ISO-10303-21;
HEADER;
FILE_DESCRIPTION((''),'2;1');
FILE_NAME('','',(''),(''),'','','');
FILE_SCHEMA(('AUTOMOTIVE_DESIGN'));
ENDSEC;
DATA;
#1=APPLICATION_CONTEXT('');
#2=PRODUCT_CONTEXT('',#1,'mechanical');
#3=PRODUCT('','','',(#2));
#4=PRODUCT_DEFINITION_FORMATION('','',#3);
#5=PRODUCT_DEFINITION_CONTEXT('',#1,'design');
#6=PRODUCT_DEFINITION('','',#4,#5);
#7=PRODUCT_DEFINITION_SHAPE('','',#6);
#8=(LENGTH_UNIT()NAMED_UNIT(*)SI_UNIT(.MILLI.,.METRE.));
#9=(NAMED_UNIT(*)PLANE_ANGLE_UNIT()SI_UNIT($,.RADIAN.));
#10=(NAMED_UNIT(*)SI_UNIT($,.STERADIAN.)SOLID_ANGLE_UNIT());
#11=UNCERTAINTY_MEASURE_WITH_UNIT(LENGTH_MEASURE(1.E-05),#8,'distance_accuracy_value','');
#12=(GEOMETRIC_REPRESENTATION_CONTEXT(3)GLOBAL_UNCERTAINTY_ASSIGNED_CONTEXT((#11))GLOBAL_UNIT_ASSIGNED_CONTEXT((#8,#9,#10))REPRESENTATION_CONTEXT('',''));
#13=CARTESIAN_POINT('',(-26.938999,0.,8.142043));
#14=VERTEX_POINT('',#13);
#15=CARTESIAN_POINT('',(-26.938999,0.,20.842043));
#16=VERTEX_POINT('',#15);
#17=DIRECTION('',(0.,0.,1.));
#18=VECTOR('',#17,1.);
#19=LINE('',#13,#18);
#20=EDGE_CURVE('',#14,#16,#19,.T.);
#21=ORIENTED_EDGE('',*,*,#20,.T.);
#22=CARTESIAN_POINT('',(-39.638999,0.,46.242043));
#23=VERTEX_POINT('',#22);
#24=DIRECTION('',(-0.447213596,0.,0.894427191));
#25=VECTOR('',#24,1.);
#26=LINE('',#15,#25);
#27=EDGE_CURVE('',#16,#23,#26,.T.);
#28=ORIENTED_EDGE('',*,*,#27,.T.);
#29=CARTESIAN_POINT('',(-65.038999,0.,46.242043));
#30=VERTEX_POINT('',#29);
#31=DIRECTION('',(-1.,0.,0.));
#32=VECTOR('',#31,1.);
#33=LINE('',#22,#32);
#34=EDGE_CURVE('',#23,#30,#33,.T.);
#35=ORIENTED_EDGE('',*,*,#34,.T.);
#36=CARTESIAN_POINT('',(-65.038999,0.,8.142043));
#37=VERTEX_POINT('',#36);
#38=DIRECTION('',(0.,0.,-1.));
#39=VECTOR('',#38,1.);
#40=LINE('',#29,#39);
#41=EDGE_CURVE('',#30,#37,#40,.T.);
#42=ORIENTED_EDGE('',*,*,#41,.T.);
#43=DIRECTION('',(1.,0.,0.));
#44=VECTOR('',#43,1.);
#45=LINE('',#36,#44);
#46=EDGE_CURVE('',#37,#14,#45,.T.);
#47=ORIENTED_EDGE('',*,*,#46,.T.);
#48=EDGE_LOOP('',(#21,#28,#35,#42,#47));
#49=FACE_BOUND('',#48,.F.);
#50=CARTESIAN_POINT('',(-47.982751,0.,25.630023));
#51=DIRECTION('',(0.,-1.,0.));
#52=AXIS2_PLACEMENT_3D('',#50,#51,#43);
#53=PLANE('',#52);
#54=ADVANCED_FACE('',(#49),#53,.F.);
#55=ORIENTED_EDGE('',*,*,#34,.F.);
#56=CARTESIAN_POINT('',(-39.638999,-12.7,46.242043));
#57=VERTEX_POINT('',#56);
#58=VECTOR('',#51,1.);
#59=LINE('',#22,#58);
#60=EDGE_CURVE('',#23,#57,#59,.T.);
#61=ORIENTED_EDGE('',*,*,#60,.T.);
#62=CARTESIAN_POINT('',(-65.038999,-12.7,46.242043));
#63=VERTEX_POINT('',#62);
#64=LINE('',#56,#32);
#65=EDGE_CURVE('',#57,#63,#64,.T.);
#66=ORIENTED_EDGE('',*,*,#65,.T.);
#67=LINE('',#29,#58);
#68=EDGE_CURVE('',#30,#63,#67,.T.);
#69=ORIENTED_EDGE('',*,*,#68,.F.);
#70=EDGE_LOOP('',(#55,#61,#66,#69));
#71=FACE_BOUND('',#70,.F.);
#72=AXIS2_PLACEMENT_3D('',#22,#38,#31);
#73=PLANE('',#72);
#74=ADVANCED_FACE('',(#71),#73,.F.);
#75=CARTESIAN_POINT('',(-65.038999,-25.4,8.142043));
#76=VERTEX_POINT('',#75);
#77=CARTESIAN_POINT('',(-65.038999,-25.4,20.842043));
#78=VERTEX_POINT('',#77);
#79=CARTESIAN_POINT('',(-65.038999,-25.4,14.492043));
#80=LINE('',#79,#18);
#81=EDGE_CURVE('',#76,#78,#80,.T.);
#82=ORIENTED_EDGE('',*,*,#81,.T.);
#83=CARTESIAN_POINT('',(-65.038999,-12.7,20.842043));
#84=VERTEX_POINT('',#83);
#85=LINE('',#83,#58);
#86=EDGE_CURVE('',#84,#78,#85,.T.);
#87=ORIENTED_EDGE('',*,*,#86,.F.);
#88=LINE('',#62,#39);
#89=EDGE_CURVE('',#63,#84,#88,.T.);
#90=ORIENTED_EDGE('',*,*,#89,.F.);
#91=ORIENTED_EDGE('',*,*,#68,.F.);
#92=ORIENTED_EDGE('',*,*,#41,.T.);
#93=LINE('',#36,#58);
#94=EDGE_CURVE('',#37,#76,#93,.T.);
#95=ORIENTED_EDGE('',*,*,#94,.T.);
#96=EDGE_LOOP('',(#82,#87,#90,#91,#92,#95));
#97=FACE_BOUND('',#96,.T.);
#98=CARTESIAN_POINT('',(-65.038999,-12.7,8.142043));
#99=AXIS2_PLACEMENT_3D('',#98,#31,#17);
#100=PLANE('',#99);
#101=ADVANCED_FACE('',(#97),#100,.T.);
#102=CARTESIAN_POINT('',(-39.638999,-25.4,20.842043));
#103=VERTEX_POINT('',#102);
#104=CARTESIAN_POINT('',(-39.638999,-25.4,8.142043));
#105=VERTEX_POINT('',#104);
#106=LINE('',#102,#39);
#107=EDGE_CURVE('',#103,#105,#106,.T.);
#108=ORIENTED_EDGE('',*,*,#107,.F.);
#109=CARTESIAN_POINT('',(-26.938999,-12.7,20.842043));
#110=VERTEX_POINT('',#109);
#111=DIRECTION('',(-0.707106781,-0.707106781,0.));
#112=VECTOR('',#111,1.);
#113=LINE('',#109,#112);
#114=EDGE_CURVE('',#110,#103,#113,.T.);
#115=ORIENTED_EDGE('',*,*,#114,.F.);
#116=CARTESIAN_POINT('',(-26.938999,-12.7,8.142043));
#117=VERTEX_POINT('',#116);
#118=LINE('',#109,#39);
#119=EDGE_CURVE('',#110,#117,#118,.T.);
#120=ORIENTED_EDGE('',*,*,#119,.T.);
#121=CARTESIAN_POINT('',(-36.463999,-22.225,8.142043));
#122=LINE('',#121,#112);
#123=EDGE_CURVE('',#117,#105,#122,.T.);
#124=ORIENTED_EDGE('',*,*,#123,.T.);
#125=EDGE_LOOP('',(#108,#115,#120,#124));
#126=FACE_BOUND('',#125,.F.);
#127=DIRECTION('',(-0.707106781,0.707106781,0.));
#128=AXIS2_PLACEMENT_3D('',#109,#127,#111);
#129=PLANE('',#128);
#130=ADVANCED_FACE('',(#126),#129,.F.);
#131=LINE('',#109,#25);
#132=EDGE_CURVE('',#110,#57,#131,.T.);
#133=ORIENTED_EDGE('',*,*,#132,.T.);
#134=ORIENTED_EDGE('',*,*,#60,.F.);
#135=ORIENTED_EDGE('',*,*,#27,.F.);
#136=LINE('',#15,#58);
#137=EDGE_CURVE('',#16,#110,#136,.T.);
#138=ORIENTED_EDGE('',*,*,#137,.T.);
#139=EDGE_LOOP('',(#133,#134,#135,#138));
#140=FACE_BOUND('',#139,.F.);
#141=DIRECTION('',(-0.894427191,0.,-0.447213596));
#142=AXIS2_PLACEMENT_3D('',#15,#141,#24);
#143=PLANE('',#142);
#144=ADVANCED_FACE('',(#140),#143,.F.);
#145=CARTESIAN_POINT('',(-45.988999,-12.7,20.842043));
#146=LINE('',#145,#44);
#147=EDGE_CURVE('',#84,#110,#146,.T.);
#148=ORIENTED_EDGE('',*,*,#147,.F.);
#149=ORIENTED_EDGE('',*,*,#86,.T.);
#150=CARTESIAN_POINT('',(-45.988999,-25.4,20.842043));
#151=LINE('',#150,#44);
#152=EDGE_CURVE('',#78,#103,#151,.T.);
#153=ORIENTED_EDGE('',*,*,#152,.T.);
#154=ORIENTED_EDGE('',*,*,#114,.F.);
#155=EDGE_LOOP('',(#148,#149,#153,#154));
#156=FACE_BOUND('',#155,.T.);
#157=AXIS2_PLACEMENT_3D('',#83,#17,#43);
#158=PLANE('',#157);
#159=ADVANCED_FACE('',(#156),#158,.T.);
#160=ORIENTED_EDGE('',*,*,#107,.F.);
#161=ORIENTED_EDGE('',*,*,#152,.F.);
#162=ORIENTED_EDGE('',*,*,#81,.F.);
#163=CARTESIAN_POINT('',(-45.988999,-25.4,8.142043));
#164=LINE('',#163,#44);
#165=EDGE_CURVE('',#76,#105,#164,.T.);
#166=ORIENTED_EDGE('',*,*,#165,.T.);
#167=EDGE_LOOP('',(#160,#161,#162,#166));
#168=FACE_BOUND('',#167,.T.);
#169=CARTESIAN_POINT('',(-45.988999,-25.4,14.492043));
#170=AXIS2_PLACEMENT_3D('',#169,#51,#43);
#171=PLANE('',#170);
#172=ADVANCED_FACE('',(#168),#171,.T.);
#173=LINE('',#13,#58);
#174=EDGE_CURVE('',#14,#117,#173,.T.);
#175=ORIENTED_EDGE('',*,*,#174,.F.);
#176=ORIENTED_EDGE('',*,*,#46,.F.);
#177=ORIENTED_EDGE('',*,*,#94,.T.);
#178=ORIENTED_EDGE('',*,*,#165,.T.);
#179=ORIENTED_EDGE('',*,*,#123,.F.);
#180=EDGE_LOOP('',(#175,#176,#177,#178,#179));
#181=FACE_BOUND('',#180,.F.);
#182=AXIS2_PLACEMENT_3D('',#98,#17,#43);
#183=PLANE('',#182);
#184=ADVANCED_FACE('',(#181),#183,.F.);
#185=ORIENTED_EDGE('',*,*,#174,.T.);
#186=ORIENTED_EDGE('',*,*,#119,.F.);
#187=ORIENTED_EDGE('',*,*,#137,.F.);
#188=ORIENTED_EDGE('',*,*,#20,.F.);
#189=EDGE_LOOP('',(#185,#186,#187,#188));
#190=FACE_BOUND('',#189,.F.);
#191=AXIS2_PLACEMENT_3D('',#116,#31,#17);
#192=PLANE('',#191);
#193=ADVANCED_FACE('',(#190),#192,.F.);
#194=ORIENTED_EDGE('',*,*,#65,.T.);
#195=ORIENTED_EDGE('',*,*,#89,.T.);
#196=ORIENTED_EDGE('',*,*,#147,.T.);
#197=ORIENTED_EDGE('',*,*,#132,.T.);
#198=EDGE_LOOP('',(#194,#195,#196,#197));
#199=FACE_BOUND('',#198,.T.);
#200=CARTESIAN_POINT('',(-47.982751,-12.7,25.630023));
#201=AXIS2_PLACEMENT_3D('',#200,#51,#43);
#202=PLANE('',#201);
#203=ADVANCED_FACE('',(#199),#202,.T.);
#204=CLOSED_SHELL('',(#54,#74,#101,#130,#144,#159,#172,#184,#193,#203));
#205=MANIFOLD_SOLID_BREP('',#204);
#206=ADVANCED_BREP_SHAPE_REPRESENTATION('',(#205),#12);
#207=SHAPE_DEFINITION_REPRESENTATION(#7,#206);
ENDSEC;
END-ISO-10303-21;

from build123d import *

# Parameters (mm, degrees)
F1_DEPTH = 12.7
F2_W     = 38.1
F2_H     = 12.7
F3_DEPTH = 12.7
F5_DEPTH = 12.701


with BuildPart() as f1:
    # F0 (on Front) → F1 (new body)
    with BuildSketch(Plane.XZ):
        Polygon((-39.638999, 46.242043), (-65.038999, 46.242043), (-65.038999, 8.142043), (-26.938999, 8.142043), (-26.938999, 20.842043), align=None)
    extrude(amount=F1_DEPTH)

    # F2 (on face) → F3 (join)
    with BuildSketch(Plane.XZ.offset(12.7)):
        with Locations((-45.988999, 14.492043)):
            Rectangle(F2_W, F2_H)
    extrude(amount=F3_DEPTH)

    # F4 (on face) → F5 (cut, through all)
    with BuildSketch(Plane.XY.offset(20.842043)):
        Polygon((-26.938999, -25.4), (-26.938999, -12.7), (-39.638999, -25.4), align=None)
    extrude(amount=-F5_DEPTH, mode=Mode.SUBTRACT)


solid = f1.part
